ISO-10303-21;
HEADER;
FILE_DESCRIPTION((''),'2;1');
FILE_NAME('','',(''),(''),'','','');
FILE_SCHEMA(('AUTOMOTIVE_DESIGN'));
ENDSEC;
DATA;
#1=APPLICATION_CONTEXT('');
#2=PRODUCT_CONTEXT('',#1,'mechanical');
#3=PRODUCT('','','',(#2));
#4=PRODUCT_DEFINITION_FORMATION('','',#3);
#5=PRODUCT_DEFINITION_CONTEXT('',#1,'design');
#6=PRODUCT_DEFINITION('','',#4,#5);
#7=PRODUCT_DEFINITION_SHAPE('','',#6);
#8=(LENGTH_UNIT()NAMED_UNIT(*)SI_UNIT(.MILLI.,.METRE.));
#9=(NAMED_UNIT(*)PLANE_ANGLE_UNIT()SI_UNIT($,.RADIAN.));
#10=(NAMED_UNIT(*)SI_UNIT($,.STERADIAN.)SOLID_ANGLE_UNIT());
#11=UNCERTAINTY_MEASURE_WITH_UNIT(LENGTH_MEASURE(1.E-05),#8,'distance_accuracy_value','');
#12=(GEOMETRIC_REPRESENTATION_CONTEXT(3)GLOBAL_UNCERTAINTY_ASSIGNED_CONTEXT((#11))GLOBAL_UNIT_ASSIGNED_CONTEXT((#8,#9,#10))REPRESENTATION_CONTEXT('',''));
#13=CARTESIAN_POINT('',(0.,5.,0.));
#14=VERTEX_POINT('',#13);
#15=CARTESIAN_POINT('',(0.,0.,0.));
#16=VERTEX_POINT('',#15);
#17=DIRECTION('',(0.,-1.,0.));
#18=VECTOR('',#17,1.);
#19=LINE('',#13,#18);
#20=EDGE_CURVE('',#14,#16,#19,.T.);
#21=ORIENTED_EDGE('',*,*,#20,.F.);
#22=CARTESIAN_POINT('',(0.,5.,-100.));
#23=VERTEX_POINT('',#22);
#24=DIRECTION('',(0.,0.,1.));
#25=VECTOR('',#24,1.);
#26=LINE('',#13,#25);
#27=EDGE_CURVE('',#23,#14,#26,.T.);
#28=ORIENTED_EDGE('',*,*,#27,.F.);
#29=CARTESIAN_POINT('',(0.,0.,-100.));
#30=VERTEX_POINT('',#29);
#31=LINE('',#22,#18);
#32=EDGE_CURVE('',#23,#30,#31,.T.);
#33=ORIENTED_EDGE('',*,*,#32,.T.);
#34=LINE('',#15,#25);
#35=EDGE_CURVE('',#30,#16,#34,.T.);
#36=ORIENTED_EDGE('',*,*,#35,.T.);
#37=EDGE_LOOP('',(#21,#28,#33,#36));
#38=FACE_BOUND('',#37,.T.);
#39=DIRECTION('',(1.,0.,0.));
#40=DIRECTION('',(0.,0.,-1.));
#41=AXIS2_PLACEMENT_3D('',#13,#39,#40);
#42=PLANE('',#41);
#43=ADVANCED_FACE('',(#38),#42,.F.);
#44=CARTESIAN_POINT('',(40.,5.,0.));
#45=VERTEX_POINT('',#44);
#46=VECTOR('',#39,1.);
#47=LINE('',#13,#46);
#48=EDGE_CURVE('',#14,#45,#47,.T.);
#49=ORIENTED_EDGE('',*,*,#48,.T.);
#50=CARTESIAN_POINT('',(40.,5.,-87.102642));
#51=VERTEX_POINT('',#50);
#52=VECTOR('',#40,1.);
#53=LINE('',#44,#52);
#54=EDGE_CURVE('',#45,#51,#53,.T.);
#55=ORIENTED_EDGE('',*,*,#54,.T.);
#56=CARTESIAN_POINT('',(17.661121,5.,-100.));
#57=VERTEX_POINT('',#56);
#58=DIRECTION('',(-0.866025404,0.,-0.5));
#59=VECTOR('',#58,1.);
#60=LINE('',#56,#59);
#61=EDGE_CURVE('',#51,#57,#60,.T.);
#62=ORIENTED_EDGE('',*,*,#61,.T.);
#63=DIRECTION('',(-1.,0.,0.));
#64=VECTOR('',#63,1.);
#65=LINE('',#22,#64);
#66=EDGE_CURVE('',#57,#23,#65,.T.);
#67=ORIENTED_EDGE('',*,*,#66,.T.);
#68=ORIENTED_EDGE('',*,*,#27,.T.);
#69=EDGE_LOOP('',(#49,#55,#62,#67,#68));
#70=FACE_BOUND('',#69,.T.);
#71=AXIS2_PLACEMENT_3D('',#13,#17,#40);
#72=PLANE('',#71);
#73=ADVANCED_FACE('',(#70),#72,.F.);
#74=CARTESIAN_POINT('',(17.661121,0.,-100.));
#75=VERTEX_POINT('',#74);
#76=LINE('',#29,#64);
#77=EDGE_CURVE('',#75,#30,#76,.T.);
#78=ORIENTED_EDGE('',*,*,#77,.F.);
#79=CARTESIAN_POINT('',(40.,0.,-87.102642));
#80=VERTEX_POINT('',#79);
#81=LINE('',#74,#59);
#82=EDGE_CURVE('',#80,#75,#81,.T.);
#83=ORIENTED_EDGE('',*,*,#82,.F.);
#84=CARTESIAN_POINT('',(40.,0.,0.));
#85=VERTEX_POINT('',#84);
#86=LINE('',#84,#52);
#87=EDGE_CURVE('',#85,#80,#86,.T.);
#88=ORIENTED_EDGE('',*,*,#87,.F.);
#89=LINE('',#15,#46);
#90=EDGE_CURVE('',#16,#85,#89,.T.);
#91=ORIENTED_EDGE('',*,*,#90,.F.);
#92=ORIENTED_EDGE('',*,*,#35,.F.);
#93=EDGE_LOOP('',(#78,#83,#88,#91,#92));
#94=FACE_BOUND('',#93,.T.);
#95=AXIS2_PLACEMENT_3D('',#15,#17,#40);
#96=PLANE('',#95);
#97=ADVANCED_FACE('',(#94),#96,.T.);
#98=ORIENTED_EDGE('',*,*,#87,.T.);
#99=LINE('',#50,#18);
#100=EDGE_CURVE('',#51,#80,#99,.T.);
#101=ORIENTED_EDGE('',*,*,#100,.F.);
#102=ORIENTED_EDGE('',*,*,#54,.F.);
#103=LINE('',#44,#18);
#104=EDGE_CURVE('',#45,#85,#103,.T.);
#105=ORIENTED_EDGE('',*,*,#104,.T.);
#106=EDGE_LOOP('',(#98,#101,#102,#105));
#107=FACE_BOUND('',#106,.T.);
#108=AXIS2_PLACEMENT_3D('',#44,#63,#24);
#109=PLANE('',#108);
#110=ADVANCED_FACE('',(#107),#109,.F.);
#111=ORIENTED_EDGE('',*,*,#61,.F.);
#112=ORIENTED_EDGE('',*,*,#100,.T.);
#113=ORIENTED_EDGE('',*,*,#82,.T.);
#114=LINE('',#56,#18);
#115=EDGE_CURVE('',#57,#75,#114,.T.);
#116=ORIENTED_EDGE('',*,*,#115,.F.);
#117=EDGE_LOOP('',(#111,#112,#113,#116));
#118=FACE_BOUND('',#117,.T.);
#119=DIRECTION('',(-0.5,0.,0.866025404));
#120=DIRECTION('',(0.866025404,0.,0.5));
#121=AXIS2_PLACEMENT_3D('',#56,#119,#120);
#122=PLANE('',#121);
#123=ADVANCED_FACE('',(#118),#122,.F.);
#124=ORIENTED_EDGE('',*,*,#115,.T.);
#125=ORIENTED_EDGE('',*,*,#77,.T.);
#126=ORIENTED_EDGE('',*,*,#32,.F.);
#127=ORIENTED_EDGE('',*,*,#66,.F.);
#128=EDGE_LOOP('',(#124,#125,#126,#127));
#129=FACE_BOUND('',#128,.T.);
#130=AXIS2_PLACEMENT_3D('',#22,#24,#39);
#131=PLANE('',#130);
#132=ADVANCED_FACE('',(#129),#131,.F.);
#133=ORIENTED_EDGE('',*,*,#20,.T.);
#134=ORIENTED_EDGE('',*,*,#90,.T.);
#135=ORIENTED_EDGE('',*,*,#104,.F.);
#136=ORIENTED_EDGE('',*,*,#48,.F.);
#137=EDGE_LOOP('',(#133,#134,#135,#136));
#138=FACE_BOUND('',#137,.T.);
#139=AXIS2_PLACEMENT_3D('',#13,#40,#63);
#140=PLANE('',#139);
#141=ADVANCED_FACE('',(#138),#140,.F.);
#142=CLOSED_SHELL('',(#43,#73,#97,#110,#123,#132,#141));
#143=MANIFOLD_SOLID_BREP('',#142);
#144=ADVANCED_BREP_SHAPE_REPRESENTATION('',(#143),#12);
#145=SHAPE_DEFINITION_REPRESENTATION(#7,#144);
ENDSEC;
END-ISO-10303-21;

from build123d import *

# Parameters (mm, degrees)
EXTRUDE_1_DEPTH = 5


with BuildPart() as part:
    # Эскиз1 → Бобышка-Вытянуть1 (new body)
    with BuildSketch(Plane(origin=(0, 0, 0), x_dir=(1, 0, 0), z_dir=(0, 1, 0))):
        Polygon((0, 100), (17.661121371, 100), (40, 87.10264241), (40, 0), (0, 0), align=None)
    extrude(amount=EXTRUDE_1_DEPTH)


solid = part.part
